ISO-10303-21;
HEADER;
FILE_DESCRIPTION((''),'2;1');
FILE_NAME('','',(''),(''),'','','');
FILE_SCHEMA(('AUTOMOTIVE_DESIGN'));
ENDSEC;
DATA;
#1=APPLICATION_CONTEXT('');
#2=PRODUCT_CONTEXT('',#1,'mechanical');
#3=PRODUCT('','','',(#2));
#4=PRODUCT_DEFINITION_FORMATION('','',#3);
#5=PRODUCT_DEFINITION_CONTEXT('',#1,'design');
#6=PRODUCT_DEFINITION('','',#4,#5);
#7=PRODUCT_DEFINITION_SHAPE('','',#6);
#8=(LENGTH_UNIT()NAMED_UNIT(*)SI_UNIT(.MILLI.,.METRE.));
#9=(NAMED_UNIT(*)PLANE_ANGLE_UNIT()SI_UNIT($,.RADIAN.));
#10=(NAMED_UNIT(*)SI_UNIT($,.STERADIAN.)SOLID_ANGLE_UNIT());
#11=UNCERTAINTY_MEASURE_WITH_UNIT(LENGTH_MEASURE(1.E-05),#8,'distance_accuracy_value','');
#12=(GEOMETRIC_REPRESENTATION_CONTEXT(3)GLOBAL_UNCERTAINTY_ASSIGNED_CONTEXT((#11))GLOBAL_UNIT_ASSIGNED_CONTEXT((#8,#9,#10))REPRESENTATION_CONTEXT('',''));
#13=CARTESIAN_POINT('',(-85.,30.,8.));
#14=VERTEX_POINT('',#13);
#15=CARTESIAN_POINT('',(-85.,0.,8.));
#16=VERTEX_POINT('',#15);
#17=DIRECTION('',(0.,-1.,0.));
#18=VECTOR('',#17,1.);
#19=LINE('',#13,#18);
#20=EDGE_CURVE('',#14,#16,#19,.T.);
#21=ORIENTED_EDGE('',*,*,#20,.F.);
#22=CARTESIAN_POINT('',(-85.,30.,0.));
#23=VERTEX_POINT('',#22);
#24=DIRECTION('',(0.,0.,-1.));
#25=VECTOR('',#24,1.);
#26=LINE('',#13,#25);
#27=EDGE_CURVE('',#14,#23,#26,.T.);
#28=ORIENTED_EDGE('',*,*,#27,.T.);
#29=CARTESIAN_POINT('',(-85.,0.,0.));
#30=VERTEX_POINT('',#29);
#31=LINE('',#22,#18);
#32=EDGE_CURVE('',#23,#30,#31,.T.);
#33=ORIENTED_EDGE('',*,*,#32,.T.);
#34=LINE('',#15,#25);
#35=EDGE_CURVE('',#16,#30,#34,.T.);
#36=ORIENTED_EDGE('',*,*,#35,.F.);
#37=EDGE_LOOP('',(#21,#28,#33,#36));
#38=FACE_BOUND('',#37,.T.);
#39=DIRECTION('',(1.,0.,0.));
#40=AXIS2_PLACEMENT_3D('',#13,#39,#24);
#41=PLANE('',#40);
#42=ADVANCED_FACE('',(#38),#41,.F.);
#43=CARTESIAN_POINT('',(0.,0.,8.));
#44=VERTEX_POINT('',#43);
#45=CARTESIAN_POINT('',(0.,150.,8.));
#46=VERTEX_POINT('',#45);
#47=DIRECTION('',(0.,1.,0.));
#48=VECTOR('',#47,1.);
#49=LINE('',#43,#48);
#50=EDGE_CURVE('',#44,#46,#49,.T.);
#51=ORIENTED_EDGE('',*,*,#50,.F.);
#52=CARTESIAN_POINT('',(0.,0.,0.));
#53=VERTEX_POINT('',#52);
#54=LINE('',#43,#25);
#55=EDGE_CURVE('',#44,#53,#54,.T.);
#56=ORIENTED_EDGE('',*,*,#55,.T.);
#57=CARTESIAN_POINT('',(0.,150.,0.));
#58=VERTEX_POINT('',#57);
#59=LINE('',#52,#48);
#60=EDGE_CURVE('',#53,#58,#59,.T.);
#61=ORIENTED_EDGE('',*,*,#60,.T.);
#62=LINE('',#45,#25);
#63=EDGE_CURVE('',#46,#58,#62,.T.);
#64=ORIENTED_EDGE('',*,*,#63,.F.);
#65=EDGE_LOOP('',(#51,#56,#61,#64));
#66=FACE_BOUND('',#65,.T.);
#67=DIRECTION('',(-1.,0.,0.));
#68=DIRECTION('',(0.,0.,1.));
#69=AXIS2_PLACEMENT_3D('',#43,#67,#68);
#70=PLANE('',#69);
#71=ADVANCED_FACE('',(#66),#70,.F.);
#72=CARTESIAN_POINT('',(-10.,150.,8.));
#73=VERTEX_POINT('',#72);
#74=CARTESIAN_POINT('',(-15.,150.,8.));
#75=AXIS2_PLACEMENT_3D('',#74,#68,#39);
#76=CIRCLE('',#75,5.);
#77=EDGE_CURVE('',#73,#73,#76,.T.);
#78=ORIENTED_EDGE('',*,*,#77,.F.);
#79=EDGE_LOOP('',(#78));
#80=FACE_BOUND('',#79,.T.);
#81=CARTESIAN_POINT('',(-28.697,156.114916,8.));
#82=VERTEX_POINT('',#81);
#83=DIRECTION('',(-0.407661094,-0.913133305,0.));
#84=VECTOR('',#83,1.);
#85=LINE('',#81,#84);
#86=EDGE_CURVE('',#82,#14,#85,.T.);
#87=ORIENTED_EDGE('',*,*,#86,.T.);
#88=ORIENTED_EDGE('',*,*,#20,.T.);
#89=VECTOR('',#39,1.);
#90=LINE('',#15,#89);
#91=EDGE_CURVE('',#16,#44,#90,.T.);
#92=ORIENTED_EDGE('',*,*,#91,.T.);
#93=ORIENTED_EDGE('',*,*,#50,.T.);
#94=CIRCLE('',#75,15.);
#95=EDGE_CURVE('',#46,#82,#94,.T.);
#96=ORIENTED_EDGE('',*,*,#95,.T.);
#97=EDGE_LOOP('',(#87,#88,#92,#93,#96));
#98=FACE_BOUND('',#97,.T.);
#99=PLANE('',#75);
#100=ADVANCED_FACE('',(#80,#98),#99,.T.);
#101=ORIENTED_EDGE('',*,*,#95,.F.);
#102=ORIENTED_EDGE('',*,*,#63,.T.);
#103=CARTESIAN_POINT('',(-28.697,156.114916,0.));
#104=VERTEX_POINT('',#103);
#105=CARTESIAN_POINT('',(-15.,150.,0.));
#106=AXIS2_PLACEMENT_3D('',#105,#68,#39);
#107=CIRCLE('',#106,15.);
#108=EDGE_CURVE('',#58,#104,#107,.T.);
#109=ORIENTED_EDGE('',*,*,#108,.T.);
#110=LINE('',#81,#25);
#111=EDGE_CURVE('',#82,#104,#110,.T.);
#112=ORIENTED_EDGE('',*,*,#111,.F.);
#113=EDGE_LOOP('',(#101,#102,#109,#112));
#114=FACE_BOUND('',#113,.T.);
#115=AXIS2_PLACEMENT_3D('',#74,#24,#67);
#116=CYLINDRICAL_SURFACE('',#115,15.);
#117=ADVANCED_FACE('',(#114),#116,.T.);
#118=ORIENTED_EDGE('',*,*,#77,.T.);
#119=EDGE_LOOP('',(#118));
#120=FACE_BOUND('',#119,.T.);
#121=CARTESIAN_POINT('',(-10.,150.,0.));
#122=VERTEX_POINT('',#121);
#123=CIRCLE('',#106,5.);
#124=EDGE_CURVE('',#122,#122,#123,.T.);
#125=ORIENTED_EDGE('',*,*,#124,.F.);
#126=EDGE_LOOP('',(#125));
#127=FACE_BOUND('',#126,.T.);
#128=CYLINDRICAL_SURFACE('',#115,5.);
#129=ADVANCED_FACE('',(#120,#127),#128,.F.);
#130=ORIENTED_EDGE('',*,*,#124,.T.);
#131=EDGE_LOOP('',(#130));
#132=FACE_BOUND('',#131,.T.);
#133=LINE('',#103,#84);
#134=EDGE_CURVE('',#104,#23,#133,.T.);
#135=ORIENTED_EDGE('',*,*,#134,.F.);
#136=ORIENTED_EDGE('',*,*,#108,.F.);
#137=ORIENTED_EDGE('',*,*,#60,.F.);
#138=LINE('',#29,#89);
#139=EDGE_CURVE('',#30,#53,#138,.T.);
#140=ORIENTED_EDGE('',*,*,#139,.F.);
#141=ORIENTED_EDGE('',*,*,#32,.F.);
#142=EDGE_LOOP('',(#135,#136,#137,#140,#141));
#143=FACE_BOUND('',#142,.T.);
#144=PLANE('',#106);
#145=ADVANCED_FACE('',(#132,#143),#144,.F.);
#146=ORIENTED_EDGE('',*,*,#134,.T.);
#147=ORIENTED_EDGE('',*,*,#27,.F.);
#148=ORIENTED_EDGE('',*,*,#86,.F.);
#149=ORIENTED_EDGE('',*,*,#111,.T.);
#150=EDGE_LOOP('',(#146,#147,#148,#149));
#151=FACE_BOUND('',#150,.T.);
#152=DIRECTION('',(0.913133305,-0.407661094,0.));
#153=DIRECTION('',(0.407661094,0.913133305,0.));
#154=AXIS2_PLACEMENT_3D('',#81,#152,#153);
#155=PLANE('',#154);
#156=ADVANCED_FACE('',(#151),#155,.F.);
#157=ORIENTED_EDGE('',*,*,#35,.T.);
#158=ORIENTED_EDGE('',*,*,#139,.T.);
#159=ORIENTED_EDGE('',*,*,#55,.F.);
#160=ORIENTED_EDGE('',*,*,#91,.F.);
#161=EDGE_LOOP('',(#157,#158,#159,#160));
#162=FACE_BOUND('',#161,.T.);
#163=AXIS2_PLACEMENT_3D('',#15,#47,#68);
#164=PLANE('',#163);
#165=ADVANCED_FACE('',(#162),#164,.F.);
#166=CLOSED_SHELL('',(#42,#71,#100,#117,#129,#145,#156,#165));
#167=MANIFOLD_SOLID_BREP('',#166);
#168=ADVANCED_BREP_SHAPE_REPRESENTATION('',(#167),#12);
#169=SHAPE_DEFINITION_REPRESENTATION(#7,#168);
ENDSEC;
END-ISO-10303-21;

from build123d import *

# Parameters (mm, degrees)
SKETCH_1_R      = 5
EXTRUDE_1_DEPTH = 8


with BuildPart() as part:
    # ｽｹｯﾁ1 → ﾎﾞｽ - 押し出し1 (new body)
    with BuildSketch(Plane.XY):
        with BuildLine():
            Line((0, 0), (0, 150))
            ThreePointArc((0, 150), (-11.873899678, 164.670633823), (-28.69699957, 156.114916416))
            Line((-28.69699957, 156.114916416), (-85, 30))
            Line((-85, 30), (-85, 0))
            Line((-85, 0), (0, 0))
        make_face()
        with Locations((-15, 150)):
            Circle(SKETCH_1_R, mode=Mode.SUBTRACT)
    extrude(amount=EXTRUDE_1_DEPTH)


solid = part.part
